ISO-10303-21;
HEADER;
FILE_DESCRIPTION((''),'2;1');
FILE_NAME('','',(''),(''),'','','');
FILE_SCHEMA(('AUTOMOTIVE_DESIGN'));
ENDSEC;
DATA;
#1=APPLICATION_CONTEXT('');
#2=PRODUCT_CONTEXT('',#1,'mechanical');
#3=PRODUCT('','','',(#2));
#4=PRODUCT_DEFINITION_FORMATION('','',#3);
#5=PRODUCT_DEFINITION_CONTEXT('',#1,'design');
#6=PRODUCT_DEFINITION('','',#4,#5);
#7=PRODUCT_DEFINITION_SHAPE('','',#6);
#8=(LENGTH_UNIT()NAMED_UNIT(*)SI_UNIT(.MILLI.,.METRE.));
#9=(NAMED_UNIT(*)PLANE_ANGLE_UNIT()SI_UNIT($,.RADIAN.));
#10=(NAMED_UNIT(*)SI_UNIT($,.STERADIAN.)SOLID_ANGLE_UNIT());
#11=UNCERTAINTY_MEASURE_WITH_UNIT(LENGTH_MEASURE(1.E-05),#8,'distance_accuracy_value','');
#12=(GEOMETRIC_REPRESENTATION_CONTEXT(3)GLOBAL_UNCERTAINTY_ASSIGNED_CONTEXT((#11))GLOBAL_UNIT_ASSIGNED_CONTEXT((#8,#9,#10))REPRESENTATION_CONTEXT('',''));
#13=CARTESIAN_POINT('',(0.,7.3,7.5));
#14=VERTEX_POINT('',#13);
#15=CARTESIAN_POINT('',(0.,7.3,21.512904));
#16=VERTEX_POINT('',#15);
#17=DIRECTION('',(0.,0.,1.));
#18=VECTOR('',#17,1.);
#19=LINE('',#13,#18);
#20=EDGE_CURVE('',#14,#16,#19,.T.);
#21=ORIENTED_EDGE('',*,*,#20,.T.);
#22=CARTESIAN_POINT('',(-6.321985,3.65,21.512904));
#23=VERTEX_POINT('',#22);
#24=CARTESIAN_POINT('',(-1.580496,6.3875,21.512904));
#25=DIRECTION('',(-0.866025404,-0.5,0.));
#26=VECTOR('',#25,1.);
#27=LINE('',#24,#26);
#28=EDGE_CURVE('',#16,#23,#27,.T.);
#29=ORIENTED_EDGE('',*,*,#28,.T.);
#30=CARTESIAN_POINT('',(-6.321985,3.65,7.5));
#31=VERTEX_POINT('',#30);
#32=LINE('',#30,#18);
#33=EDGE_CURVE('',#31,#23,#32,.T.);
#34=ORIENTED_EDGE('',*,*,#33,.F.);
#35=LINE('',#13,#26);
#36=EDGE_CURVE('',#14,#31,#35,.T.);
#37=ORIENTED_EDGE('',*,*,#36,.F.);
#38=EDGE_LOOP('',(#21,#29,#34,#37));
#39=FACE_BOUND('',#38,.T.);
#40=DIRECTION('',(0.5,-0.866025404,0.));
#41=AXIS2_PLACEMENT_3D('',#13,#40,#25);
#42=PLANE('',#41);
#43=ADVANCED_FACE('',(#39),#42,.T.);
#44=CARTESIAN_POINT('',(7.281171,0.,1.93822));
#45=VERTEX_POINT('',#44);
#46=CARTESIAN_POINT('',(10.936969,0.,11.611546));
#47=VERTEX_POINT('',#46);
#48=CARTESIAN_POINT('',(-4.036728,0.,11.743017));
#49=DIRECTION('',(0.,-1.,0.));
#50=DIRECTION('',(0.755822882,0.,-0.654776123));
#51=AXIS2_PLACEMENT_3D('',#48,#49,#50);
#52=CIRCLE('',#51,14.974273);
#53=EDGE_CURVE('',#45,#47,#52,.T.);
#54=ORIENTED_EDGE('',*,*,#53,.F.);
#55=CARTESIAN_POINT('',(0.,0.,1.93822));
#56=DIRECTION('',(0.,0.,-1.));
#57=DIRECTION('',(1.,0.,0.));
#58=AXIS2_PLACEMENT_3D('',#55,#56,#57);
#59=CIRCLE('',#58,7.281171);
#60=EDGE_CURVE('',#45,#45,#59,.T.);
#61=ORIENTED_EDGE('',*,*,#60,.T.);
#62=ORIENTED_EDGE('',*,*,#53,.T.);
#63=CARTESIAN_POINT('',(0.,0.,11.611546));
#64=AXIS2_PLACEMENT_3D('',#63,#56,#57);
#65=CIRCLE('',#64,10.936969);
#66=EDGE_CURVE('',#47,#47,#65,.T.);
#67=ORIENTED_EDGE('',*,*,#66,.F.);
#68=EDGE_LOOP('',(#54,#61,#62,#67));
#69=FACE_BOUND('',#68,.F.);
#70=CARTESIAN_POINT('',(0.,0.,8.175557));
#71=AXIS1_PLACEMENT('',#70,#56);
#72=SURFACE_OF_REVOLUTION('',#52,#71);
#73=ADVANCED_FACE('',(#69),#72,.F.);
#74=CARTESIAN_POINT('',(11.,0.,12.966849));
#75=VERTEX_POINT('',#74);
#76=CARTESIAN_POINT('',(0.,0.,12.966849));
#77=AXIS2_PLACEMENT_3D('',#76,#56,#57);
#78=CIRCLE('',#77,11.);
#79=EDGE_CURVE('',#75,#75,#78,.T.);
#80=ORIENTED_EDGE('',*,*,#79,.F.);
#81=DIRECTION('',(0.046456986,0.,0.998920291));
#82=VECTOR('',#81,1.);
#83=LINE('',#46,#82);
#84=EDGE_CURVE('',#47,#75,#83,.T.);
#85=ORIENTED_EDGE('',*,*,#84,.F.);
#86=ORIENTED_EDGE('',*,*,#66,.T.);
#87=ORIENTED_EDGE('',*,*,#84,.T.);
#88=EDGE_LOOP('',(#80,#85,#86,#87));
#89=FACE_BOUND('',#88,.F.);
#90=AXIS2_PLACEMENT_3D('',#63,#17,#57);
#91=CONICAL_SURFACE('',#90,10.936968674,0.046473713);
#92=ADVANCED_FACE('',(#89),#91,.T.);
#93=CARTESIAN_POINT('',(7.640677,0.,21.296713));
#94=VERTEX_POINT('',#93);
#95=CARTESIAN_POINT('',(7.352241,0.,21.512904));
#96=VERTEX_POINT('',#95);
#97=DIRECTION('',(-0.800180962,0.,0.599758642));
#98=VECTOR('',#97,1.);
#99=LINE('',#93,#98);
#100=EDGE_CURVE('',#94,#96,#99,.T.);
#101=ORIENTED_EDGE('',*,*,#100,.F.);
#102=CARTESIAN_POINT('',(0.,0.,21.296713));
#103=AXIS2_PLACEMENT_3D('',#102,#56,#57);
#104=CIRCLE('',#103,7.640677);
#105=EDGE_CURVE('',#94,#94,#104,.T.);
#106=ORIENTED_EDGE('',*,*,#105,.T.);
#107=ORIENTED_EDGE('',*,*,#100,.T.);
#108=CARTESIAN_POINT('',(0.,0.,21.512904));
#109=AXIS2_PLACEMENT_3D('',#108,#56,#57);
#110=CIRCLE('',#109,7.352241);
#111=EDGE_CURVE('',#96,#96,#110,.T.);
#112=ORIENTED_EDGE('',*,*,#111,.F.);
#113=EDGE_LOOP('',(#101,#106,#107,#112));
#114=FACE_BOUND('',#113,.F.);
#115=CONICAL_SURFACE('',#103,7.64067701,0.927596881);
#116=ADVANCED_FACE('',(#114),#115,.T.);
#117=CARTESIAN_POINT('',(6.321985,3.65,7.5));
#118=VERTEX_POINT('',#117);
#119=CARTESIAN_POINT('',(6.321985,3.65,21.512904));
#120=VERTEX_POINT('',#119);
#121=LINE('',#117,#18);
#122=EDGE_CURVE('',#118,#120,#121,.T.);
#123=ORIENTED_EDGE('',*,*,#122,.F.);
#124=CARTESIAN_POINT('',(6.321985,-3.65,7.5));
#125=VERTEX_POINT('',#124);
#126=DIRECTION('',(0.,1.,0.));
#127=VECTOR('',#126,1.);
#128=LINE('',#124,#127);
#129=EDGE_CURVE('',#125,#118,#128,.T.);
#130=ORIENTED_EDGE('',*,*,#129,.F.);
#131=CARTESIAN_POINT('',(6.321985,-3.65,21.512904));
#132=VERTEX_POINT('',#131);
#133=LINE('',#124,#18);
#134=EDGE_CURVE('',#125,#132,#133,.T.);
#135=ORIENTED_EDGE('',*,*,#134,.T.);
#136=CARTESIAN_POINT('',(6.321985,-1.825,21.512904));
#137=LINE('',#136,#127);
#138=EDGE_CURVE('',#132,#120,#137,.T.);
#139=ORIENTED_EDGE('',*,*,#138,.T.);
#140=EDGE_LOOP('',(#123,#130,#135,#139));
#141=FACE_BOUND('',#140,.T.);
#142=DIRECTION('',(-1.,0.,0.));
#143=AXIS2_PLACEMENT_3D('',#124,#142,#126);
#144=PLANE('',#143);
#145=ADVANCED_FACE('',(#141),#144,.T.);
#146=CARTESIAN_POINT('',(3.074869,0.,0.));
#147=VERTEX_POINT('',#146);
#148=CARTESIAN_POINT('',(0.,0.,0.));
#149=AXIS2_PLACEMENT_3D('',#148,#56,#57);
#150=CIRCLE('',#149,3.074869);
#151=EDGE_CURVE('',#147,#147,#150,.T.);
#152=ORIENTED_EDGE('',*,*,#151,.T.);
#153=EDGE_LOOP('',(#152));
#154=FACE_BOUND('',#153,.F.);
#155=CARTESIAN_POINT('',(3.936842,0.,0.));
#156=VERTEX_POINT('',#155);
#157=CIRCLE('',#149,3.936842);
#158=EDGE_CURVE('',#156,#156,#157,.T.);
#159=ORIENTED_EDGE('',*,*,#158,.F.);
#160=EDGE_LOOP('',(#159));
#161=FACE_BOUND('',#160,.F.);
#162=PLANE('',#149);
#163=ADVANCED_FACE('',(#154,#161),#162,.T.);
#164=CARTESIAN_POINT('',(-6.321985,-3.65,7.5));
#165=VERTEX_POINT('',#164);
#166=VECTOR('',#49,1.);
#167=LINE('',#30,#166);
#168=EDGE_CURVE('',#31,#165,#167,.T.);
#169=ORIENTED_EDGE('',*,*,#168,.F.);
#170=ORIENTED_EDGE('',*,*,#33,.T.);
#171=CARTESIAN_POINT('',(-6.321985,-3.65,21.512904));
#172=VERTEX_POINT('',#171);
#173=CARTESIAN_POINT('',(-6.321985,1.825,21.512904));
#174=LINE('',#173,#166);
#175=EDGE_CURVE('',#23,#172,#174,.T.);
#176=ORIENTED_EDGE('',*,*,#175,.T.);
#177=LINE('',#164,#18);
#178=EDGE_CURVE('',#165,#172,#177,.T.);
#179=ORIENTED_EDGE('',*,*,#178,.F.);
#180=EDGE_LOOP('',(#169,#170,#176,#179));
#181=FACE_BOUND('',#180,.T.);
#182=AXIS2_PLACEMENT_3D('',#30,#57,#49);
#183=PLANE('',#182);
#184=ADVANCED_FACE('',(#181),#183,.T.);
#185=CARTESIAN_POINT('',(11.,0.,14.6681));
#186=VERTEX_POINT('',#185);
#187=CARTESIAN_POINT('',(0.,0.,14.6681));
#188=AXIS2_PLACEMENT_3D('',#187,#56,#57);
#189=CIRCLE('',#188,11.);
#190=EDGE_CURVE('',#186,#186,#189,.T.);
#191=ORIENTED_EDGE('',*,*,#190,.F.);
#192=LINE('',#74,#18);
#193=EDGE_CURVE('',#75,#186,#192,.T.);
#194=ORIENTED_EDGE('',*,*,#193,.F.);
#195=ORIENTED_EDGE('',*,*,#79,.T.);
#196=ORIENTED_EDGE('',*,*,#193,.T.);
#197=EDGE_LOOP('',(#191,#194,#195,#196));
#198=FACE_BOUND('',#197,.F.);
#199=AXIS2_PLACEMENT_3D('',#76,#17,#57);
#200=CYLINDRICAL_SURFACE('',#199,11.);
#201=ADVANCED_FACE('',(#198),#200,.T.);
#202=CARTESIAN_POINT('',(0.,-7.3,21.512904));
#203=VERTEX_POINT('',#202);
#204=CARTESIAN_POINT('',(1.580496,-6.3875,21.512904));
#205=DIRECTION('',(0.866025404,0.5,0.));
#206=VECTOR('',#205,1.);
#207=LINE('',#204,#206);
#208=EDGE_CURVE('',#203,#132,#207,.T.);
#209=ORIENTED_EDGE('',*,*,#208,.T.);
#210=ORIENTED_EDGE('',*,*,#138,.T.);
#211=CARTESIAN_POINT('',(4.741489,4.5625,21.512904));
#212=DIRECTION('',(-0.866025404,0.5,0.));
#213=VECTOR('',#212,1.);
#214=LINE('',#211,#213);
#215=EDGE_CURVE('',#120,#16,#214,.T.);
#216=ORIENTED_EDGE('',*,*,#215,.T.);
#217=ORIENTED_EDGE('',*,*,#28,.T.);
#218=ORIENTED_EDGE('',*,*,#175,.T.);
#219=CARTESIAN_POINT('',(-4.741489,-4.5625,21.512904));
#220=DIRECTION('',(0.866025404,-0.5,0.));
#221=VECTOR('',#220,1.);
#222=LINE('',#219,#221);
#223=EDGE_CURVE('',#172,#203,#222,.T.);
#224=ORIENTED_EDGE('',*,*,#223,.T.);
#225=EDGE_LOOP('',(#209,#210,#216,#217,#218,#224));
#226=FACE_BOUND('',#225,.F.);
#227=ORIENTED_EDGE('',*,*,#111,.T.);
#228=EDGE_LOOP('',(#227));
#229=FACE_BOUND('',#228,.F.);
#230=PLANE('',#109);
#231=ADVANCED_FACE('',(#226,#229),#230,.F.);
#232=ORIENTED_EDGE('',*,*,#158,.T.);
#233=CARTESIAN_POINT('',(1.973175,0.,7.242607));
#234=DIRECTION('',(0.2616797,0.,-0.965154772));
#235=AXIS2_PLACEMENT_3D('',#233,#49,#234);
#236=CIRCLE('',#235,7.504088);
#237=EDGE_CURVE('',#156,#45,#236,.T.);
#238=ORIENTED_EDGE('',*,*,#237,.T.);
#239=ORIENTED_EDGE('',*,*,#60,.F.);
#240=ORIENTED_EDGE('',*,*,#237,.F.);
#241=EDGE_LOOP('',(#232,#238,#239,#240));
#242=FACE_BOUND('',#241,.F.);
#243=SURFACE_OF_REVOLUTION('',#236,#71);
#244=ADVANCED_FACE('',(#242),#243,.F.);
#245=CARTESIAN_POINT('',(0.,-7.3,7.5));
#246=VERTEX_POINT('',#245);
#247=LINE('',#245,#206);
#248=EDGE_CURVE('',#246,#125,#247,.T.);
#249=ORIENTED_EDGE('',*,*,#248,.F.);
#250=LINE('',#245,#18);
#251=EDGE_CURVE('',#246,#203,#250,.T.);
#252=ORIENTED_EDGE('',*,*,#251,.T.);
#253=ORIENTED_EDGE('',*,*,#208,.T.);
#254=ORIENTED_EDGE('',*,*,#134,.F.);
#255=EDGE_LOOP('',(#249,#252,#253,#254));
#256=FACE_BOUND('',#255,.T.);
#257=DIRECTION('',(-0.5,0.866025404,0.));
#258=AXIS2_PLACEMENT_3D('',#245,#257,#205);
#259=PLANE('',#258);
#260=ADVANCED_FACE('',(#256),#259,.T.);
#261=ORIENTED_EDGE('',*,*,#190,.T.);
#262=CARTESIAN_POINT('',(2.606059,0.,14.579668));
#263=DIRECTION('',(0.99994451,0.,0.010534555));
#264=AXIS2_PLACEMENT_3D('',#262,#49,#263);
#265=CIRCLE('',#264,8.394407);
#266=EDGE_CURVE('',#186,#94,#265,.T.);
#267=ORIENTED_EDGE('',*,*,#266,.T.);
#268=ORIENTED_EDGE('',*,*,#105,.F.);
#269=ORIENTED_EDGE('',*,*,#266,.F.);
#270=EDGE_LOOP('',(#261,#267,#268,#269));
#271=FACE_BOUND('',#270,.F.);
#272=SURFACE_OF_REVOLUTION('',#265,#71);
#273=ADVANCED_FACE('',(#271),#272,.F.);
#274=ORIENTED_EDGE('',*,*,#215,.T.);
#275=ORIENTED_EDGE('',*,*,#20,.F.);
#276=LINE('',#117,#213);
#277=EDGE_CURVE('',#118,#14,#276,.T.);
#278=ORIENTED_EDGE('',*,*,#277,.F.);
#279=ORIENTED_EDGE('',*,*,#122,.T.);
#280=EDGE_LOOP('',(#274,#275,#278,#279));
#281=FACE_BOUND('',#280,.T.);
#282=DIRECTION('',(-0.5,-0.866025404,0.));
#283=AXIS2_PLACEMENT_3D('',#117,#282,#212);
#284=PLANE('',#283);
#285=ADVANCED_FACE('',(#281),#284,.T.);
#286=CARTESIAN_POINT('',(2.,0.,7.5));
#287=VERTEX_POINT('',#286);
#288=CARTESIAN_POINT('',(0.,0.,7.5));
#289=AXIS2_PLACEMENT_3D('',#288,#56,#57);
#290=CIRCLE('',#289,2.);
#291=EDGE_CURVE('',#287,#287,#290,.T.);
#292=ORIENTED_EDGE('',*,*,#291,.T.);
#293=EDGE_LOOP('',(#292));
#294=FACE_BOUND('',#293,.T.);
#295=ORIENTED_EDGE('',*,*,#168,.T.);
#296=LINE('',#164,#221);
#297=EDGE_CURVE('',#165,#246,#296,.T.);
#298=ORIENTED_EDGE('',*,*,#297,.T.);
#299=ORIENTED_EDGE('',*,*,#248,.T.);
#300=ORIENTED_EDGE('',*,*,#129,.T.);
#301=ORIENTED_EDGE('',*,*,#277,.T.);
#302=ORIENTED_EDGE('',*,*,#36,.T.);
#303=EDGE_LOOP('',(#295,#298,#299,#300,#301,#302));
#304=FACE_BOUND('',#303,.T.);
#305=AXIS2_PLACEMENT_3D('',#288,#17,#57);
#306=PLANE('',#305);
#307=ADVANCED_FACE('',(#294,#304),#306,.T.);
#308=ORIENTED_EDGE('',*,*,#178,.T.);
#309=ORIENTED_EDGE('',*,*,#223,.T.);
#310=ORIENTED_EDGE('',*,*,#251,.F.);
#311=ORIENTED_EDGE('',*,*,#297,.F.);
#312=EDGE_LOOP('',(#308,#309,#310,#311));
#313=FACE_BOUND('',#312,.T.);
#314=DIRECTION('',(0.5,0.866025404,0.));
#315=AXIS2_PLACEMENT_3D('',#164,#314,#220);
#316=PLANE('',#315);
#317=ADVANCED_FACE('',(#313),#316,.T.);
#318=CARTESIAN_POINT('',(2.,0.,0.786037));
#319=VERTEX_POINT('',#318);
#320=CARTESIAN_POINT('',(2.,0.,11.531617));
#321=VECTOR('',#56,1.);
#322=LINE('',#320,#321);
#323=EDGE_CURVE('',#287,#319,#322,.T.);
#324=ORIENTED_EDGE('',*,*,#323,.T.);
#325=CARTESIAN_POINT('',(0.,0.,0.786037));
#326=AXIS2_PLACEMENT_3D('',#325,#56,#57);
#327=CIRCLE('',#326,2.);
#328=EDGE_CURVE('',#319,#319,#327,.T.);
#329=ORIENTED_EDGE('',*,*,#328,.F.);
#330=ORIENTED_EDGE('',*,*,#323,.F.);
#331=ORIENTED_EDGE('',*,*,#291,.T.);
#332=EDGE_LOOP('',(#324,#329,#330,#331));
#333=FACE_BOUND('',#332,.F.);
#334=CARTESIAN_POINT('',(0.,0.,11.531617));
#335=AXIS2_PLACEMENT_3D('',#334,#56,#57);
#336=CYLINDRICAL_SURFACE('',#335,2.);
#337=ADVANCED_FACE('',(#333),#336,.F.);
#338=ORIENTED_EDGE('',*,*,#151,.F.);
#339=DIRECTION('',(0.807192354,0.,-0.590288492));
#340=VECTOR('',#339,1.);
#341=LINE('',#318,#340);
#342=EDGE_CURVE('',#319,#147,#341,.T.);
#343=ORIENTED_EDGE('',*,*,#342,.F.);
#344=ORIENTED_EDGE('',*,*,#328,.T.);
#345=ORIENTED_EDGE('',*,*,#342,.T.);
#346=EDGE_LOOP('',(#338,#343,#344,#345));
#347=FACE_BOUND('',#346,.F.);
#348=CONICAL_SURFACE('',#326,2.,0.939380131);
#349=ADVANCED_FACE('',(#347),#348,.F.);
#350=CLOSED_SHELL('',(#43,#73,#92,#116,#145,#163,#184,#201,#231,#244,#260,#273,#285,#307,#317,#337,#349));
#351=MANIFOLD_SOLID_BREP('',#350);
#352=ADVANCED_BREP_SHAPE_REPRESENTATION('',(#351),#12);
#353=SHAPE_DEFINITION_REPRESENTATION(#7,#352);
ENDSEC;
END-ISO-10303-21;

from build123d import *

# Parameters (mm, degrees)
F3_START = 7.5
F3_DEPTH = 22


with BuildPart() as f1:
    # F0 (on Front) → F1 (revolve)
    with BuildSketch(Plane.XZ):
        with BuildLine():
            Line((2, 11.5316165611), (2, 0.7860367186))
            Line((2, 0.7860367186), (3.0748690479, 0))
            Line((3.0748690479, 0), (3.9368423175, 0))
            ThreePointArc((3.9368423175, 0), (5.7359459969, 0.7500806425), (7.281170908, 1.9382199415))
            ThreePointArc((7.281170908, 1.9382199415), (9.9706026353, 6.4492878426), (10.9369686737, 11.6115463895))
            Line((10.9369686737, 11.6115463895), (11, 12.9668489195))
            Line((11, 12.9668489195), (11, 14.6680995822))
            ThreePointArc((11, 14.6680995822), (10.093794135, 18.3743867074), (7.6406770098, 21.2967127834))
            Line((7.6406770098, 21.2967127834), (7.3522413641, 21.5129035946))
            Line((7.3522413641, 21.5129035946), (7.1540363067, 21.5129035946))
            Line((7.1540363067, 21.5129035946), (5.7365642861, 21.5129035946))
            Line((5.7365642861, 21.5129035946), (5.7365642861, 20.6799935549))
            Line((5.7365642861, 20.6799935549), (5.7365642861, 16.6449104306))
            ThreePointArc((5.7365642861, 16.6449104306), (4.7986694118, 13.4083784884), (2, 11.5316165611))
        make_face()
    revolve(axis=Axis((0, 0, 8.1755573817), (0, 0, -1)))

    # F2 (on Top) → F3 (cut)
    with BuildSketch(Plane.XY.offset(F3_START)):
        Polygon((6.3219854476, 3.65), (0, 7.3), (-6.3219854476, 3.65), (-6.3219854476, -3.65), (0, -7.3), (6.3219854476, -3.65), align=None)
    extrude(amount=F3_DEPTH, mode=Mode.SUBTRACT)


solid = f1.part
